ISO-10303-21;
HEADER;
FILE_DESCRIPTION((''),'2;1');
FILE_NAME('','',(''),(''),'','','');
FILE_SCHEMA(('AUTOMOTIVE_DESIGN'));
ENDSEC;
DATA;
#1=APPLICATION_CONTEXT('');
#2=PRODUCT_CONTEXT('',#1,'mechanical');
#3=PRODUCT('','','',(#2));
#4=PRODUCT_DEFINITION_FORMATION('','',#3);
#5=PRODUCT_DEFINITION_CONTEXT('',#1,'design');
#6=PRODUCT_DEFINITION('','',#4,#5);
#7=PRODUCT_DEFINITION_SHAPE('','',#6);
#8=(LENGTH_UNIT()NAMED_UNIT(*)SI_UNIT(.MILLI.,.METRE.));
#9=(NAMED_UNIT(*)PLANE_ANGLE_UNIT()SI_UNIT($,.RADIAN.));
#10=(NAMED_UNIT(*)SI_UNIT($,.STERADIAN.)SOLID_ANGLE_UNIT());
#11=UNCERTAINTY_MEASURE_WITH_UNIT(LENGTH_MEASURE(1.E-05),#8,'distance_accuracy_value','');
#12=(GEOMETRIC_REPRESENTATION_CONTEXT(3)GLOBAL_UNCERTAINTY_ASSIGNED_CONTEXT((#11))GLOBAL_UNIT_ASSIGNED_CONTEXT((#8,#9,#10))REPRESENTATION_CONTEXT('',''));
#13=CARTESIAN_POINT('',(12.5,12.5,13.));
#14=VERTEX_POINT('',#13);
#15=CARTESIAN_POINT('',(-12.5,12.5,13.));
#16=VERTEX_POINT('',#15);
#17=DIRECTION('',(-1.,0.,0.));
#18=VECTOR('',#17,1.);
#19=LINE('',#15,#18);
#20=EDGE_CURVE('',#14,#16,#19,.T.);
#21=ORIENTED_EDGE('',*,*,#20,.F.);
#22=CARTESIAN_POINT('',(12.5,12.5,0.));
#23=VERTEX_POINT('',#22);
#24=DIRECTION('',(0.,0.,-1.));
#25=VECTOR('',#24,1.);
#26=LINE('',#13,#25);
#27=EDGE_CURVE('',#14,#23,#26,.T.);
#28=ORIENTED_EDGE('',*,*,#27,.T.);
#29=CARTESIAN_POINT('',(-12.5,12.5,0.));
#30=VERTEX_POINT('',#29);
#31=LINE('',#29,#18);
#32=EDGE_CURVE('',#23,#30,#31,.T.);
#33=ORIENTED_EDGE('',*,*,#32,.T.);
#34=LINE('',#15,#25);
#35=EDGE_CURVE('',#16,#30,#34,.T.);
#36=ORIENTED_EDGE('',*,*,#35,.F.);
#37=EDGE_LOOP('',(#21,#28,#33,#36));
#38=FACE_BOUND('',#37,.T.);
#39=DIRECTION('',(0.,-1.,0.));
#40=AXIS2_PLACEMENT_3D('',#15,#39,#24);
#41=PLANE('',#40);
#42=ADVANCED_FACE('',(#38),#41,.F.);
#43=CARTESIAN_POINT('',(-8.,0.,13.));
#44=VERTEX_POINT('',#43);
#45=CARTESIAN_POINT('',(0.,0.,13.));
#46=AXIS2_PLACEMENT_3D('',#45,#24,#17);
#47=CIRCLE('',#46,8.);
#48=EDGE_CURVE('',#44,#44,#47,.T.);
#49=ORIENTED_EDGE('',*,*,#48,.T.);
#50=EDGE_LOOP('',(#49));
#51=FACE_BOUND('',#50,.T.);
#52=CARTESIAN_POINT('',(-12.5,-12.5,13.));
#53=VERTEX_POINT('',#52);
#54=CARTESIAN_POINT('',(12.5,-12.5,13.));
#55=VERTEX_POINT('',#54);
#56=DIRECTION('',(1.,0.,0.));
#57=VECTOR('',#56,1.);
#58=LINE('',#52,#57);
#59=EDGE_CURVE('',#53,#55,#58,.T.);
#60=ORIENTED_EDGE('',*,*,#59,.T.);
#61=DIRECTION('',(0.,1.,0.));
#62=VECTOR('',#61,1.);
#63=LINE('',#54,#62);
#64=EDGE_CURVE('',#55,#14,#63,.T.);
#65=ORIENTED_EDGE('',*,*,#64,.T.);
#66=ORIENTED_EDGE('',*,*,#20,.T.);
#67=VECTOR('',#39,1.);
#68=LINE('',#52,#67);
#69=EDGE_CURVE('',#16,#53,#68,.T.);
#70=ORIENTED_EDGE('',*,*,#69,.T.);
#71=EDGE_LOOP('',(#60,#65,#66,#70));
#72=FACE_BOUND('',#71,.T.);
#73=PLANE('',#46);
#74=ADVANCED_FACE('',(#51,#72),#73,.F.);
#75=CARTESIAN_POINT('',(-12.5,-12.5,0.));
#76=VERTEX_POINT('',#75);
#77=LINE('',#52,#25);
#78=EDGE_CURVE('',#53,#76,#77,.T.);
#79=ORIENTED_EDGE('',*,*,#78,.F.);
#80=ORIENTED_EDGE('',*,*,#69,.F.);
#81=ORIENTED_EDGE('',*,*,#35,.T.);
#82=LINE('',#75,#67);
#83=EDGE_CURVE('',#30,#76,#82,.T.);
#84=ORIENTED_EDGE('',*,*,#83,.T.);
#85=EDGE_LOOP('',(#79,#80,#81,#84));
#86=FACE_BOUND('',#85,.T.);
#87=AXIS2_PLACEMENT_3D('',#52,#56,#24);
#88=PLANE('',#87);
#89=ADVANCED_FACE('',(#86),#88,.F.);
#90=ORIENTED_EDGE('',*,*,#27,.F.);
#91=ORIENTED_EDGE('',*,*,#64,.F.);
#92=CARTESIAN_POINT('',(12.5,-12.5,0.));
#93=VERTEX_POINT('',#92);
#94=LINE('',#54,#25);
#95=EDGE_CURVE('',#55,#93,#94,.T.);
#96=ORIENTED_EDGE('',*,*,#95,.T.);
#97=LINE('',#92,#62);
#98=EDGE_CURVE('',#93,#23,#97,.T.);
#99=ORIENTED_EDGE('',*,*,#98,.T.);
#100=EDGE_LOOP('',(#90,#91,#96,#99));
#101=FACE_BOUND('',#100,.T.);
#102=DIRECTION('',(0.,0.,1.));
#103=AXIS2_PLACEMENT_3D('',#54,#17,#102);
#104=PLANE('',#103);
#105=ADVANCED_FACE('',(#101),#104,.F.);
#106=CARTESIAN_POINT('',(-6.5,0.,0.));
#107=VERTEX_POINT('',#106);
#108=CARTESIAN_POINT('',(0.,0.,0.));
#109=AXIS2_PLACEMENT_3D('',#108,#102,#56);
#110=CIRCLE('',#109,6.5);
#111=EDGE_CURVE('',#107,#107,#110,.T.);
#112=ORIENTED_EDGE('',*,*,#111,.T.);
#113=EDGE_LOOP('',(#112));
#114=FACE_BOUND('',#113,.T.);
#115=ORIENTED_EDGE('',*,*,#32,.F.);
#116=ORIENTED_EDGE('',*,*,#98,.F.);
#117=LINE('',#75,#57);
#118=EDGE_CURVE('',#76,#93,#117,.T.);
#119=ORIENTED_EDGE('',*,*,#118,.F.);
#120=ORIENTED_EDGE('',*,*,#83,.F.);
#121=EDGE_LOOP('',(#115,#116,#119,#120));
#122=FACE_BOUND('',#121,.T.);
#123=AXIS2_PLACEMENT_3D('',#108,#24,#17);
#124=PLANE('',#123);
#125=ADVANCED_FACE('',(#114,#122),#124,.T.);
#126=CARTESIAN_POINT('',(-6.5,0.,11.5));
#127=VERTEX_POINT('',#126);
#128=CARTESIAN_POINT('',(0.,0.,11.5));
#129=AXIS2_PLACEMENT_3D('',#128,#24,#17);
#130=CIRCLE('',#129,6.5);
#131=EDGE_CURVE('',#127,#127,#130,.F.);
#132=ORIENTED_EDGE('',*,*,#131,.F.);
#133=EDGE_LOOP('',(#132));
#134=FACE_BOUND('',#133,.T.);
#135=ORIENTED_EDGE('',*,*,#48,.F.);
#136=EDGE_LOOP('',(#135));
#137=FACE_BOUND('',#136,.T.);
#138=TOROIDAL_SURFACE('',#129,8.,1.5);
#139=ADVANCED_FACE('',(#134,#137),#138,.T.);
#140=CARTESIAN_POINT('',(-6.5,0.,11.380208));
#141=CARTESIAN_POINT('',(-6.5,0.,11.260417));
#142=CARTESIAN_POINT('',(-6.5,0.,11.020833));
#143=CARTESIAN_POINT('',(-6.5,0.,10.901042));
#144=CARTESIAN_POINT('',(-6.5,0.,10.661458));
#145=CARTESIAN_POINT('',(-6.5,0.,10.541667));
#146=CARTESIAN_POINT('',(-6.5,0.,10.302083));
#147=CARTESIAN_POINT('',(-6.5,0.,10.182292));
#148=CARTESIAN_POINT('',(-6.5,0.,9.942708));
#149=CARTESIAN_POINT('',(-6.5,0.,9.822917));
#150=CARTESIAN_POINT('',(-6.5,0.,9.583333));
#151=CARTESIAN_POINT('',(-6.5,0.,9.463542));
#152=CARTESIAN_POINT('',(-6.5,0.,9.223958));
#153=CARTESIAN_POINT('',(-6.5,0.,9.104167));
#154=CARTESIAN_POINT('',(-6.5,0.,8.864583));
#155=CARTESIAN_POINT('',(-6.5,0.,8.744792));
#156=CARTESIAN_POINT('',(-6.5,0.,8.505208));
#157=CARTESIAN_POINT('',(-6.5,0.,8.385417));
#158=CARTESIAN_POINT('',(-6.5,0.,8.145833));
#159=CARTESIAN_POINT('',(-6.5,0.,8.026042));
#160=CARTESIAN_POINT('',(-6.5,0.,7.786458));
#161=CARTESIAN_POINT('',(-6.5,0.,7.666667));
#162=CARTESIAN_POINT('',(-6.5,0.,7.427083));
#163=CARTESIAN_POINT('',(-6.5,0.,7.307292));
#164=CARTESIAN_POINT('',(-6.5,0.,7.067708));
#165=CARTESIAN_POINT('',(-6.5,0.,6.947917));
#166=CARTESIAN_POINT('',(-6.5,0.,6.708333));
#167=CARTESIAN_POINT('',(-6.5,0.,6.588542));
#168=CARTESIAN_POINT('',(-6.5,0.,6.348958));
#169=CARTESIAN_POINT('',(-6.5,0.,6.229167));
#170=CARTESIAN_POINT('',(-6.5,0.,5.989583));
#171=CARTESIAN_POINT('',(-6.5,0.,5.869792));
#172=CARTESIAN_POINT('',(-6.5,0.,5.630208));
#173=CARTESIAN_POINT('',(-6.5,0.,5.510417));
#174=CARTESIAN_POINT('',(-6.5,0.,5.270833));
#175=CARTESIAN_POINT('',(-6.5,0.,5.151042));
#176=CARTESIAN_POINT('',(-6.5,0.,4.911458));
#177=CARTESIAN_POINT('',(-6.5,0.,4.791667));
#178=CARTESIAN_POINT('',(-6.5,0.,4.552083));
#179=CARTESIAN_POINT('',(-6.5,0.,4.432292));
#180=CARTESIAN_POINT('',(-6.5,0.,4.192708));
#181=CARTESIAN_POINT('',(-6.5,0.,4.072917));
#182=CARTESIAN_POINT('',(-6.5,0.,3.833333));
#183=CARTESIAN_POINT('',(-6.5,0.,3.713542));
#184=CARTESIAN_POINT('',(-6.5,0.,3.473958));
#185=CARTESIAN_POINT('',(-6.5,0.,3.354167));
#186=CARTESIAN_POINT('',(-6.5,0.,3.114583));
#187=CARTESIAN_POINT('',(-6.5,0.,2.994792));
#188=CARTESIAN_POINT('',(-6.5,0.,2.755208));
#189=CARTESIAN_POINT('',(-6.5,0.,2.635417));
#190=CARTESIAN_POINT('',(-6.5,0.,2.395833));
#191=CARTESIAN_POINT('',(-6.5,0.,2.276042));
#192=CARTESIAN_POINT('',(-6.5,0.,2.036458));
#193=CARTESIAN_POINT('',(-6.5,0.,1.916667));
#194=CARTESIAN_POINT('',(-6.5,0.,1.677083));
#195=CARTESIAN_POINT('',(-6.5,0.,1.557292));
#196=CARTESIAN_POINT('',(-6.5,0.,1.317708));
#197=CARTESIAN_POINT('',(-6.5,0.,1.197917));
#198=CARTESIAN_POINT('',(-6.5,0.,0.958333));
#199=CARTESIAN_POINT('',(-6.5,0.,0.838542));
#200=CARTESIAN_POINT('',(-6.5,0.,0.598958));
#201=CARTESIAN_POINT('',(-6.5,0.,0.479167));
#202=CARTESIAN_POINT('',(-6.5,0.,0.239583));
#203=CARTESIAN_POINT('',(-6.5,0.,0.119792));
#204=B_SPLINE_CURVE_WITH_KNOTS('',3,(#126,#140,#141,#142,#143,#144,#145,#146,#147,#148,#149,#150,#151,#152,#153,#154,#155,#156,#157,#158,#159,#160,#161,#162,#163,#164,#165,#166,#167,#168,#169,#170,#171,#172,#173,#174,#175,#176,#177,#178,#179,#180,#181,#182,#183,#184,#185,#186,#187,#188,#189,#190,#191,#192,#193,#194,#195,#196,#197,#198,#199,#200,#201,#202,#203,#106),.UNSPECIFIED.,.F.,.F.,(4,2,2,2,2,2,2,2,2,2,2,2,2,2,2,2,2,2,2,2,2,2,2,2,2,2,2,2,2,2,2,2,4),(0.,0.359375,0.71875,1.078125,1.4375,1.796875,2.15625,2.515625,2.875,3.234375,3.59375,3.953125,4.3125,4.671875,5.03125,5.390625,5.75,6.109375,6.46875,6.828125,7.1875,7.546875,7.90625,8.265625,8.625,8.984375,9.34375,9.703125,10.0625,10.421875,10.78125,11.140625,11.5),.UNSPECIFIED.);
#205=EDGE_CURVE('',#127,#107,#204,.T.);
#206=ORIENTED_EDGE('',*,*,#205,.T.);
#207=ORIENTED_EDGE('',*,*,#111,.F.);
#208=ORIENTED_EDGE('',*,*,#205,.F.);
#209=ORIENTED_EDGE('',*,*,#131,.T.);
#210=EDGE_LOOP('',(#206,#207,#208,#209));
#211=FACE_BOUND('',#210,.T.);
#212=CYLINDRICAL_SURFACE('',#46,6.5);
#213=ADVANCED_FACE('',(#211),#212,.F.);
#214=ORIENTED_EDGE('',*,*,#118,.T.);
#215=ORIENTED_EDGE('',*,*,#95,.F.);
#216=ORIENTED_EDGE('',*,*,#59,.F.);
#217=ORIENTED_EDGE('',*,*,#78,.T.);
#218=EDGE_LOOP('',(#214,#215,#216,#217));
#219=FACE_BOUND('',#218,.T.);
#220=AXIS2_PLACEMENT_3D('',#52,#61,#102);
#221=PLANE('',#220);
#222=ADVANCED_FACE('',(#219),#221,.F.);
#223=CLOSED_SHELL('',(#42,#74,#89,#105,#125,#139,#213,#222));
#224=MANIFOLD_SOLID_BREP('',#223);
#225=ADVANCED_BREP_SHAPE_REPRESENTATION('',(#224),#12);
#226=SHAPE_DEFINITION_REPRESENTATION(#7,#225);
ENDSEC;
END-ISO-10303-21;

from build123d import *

# Parameters (mm, degrees)
SKETCH1_W           = 25
SKETCH1_H           = 25
SKETCH1_R           = 6.5
BOSS_EXTRUDE1_DEPTH = 13
FILLET1_R           = 1.5


with BuildPart() as part:
    # Sketch1 → Boss-Extrude1 (new body)
    with BuildSketch(Plane.XY):
        Rectangle(SKETCH1_W, SKETCH1_H)
        with Locations(Location((0, 0, 0), (0, 0, 180))):
            Circle(SKETCH1_R, mode=Mode.SUBTRACT)
    extrude(amount=BOSS_EXTRUDE1_DEPTH)

    # Fillet1
    fillet1_edges = [part.edges().sort_by_distance(p)[0] for p in [
        (6.5, 0, 13),
    ]]
    fillet(fillet1_edges, radius=FILLET1_R)


solid = part.part
